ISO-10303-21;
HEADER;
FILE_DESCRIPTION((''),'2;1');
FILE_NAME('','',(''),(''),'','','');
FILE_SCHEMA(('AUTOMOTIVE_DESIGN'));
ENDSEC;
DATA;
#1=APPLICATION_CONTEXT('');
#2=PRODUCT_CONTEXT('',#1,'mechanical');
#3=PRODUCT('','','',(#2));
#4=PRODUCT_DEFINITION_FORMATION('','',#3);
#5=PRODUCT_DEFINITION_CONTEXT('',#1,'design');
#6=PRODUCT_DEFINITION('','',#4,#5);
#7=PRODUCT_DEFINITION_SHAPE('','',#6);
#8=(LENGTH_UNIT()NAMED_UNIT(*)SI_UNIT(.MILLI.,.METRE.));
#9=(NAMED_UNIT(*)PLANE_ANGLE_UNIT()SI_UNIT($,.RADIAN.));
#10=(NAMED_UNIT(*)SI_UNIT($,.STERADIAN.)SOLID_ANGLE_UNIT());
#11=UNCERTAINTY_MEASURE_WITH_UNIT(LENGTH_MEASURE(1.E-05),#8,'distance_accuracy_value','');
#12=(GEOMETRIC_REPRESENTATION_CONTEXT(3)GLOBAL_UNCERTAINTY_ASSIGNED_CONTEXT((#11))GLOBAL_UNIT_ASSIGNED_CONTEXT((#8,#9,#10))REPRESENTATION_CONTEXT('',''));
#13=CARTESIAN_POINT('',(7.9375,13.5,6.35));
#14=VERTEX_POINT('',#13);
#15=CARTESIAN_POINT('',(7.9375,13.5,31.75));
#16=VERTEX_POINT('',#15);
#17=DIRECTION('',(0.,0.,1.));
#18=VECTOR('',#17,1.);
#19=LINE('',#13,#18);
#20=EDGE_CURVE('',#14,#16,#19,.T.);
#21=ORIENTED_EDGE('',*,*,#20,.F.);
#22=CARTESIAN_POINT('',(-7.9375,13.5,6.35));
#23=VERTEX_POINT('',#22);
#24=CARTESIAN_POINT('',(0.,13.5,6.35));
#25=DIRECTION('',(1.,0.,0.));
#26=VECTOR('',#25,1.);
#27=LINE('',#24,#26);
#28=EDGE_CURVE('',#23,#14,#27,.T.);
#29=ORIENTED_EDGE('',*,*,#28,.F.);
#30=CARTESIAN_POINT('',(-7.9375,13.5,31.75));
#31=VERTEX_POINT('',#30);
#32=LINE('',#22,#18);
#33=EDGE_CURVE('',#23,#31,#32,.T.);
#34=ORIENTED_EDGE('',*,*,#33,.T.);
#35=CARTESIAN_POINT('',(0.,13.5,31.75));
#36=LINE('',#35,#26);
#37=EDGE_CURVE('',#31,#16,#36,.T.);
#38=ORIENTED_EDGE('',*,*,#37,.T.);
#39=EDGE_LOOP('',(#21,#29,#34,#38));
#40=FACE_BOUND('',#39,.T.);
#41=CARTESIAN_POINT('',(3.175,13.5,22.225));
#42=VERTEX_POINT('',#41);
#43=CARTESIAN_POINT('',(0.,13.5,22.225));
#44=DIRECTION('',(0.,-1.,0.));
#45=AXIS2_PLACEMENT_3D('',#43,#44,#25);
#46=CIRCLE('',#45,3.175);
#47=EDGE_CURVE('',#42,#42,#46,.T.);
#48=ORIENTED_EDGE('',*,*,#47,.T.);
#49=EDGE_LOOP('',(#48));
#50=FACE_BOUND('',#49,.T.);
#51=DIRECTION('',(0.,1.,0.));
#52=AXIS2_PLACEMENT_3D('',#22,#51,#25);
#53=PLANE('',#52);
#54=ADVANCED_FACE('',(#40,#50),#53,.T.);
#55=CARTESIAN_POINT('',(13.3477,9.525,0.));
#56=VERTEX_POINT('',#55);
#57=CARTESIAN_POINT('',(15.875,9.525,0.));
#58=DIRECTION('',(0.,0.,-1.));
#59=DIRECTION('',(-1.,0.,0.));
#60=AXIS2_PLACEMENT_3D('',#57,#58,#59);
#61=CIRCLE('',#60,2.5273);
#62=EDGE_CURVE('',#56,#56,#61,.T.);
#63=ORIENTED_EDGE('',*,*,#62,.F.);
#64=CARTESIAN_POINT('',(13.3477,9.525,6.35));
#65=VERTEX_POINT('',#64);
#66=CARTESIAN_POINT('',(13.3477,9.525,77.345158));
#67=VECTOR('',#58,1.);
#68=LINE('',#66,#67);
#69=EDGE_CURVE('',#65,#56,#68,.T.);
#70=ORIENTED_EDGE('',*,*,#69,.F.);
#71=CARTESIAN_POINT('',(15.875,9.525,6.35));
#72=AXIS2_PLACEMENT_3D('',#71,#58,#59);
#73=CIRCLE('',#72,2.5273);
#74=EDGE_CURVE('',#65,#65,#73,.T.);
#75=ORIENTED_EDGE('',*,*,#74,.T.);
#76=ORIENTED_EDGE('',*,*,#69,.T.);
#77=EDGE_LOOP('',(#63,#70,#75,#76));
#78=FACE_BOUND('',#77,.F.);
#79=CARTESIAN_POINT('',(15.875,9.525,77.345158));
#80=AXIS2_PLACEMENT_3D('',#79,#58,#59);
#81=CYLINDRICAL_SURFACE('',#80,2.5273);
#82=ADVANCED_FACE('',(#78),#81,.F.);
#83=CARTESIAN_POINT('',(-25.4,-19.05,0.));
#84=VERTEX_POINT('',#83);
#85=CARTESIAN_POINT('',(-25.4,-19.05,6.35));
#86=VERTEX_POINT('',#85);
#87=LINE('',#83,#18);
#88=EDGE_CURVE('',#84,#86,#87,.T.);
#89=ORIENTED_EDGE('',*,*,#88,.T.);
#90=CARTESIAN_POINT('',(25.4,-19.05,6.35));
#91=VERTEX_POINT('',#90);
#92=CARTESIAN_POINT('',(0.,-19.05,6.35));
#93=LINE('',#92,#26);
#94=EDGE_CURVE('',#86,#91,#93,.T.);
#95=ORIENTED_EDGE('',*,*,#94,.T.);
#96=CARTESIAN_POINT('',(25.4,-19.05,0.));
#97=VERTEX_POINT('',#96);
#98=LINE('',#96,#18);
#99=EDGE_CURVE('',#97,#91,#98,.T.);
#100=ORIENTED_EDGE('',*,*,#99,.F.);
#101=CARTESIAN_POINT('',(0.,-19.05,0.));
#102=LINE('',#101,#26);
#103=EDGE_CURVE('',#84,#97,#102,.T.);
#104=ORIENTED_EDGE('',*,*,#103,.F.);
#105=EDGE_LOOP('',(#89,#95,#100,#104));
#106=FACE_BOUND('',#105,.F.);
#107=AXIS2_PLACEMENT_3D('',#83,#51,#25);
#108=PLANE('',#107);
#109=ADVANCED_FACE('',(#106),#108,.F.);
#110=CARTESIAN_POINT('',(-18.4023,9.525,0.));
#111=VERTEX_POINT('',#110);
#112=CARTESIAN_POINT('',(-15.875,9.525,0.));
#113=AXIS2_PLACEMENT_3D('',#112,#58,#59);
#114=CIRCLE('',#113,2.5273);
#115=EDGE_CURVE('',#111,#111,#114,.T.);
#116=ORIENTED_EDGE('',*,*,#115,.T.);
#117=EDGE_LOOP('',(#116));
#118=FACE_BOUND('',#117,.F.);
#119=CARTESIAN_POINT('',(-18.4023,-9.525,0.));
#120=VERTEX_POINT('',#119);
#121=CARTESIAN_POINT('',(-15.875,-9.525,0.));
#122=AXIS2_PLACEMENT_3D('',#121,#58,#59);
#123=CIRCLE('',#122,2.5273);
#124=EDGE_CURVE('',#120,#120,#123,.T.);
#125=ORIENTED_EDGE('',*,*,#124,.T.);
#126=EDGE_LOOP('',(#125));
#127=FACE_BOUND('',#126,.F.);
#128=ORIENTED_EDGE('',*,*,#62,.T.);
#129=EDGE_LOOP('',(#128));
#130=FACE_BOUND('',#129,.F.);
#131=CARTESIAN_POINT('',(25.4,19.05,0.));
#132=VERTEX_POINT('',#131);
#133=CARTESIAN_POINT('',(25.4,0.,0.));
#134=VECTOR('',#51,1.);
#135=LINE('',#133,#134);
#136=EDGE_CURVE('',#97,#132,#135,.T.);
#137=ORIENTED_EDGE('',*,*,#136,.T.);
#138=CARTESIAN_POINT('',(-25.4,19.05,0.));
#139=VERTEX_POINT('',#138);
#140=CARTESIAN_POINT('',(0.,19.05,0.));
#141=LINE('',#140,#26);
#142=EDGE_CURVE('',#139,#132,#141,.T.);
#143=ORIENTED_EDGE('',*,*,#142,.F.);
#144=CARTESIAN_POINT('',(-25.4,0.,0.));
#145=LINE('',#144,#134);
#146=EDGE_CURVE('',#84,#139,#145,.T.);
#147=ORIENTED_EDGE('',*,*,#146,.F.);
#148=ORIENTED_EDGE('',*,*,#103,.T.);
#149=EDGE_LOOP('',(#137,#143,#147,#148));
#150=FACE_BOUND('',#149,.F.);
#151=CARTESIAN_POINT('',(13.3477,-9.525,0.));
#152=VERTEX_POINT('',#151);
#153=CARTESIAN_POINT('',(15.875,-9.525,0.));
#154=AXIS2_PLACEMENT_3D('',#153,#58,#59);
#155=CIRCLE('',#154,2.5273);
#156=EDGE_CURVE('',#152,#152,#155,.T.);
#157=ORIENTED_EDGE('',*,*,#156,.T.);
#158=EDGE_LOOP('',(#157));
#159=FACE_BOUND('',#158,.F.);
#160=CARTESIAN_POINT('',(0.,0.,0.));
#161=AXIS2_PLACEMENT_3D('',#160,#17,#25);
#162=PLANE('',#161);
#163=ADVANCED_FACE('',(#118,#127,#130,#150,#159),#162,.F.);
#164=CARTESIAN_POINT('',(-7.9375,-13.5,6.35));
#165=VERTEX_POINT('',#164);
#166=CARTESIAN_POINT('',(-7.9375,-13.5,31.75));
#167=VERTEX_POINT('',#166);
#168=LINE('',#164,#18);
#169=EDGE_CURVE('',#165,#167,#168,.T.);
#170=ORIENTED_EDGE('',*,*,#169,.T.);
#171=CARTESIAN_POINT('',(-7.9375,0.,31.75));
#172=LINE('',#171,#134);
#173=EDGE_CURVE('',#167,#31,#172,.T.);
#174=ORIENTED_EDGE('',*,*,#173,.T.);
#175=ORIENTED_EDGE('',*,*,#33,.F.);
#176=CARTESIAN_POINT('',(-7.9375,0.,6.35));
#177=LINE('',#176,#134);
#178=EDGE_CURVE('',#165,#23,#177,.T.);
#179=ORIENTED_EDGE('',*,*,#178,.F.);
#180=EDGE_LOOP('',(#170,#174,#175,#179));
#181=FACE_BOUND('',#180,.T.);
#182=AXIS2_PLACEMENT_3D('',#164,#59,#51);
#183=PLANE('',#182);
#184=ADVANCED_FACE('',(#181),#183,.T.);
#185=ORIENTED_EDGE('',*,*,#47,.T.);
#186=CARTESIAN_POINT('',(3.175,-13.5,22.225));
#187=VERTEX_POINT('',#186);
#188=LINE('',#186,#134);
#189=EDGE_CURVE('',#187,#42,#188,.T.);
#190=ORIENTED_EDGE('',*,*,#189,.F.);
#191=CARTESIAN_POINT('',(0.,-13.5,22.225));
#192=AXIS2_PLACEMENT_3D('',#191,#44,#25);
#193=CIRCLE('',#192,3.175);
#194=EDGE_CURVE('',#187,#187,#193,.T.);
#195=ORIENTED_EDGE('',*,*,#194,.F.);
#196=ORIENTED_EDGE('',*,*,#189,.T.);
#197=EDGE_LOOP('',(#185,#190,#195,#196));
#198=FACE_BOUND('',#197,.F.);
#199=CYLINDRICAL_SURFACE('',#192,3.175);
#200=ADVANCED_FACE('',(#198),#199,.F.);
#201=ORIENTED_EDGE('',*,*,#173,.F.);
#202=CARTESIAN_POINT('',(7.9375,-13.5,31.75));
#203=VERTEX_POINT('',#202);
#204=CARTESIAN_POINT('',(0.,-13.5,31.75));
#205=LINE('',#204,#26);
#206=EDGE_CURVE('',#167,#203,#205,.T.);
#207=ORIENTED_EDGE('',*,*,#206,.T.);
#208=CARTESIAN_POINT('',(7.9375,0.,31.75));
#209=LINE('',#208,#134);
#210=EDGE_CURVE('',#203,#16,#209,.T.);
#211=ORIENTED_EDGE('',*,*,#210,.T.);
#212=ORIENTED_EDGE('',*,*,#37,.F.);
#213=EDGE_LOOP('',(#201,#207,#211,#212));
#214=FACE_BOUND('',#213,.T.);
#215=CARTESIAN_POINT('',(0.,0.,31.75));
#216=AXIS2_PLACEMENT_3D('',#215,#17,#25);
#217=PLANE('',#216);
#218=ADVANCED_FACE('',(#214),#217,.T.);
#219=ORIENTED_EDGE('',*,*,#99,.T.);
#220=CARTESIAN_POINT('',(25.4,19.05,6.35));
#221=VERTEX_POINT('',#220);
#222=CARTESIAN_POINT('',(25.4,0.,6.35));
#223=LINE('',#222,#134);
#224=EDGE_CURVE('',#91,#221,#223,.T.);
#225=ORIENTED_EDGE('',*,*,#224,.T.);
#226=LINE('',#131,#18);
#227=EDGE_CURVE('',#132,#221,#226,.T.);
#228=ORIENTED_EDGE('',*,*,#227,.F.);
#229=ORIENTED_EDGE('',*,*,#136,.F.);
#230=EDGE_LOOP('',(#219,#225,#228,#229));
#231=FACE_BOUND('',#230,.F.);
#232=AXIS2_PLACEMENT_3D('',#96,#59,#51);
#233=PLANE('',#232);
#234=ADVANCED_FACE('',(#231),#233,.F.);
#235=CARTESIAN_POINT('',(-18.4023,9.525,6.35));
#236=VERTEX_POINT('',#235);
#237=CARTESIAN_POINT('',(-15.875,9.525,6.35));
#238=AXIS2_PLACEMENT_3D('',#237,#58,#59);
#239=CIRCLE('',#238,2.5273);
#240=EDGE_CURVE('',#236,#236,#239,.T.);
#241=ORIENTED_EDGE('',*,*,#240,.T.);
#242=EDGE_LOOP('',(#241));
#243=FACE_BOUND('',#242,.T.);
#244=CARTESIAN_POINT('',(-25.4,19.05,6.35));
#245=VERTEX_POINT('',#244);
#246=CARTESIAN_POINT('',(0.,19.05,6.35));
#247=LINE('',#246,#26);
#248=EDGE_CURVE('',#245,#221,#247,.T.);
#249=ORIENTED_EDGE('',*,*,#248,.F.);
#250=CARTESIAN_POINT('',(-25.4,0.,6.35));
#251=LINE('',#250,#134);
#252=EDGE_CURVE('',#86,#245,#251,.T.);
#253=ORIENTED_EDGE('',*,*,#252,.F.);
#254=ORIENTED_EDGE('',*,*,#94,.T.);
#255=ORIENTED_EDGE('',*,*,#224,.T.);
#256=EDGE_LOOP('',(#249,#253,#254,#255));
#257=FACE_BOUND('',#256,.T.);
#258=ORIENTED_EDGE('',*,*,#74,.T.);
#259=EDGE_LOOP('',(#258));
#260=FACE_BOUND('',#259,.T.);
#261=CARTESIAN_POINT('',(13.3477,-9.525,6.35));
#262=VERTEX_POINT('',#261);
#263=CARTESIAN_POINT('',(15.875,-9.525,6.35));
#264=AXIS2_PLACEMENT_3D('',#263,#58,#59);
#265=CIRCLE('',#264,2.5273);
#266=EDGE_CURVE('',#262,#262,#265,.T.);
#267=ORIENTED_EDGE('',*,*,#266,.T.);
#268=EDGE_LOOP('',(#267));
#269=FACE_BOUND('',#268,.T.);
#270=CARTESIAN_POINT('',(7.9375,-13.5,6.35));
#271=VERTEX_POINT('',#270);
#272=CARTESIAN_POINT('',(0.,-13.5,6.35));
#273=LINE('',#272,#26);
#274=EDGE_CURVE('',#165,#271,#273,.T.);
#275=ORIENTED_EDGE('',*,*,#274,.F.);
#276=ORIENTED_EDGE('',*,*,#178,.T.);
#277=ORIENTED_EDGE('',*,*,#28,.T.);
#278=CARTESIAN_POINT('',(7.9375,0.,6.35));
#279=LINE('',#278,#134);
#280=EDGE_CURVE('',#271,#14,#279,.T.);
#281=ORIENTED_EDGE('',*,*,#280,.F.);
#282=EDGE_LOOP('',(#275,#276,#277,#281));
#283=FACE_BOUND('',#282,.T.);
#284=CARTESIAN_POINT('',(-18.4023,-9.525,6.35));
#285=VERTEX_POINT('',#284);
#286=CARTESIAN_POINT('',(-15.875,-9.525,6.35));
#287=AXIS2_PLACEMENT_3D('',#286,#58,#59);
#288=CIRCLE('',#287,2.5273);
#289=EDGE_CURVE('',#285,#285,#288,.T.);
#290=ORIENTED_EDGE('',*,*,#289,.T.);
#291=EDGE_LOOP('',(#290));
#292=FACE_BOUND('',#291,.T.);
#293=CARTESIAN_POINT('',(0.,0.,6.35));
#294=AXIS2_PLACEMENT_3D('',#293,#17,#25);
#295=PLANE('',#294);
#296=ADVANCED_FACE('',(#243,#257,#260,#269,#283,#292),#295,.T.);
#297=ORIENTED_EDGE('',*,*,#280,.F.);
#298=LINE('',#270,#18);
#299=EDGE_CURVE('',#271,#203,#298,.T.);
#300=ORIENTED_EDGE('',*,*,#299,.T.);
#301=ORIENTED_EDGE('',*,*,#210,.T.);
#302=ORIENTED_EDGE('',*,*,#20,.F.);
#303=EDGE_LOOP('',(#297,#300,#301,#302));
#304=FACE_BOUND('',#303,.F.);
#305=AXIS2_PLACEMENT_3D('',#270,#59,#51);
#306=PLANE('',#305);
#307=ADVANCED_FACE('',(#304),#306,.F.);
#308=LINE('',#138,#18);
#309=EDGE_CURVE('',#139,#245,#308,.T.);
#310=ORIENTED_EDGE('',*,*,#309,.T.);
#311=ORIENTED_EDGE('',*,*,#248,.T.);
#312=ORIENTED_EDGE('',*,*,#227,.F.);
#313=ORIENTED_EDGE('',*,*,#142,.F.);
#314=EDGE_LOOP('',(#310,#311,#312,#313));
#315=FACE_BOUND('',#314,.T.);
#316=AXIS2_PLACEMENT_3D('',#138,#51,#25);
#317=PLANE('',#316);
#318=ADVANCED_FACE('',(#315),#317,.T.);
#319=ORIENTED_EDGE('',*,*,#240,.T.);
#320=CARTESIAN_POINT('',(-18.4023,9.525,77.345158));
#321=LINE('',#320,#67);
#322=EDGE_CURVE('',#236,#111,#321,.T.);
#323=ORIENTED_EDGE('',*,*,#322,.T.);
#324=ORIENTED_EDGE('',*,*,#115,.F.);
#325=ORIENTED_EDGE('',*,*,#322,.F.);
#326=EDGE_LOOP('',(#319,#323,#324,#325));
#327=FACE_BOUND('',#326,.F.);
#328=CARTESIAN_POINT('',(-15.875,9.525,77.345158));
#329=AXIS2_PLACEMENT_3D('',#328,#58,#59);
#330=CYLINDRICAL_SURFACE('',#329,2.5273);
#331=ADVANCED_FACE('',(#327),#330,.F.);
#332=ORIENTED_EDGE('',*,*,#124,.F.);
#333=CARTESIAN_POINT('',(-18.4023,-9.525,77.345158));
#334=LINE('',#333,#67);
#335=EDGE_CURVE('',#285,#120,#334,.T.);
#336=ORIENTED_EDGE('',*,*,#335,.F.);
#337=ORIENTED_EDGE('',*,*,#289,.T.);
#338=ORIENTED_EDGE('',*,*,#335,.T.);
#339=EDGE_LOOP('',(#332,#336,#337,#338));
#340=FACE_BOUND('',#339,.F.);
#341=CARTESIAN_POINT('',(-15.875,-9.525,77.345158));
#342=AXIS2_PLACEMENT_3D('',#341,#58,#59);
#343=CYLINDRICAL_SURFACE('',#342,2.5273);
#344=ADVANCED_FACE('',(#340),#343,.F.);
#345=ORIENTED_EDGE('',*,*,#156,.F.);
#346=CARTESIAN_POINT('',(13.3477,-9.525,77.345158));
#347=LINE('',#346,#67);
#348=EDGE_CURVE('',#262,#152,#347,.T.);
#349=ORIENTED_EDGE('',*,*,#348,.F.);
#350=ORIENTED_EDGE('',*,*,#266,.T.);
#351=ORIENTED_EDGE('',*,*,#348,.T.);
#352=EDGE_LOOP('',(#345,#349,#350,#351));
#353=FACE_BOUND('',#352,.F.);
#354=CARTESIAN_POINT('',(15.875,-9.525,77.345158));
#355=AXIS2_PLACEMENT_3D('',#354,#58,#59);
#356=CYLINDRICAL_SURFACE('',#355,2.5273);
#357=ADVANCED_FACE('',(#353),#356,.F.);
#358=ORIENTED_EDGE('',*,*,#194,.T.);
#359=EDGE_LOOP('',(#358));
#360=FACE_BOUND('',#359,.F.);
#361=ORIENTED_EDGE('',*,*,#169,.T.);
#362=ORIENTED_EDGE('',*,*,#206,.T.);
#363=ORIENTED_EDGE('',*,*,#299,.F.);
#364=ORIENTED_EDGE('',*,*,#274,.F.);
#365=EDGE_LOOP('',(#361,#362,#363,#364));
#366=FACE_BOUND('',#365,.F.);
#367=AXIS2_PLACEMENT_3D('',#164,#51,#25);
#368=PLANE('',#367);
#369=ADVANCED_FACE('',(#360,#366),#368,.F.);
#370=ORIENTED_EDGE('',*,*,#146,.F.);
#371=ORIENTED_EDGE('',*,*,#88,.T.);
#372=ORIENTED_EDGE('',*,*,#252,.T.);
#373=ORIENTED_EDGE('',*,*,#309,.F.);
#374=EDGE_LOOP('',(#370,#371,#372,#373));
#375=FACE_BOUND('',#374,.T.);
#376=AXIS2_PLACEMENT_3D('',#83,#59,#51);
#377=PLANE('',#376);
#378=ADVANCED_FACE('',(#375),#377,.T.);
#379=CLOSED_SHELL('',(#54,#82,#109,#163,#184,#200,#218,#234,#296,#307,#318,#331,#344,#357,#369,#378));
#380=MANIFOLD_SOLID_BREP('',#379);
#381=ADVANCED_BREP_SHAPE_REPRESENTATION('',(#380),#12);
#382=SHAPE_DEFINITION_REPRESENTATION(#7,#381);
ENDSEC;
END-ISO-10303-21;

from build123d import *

# Parameters (mm, degrees)
F0_W     = 50.8
F0_H     = 38.1
F1_DEPTH = 6.35
F2_W     = 15.875
F2_H     = 27
F3_DEPTH = 25.4
F4_R     = 3.175
F5_DEPTH = 32.551
F7_D     = 5.0546


with BuildPart() as f1:
    # F0 (on Top) → F1 (new body)
    with BuildSketch(Plane.XY):
        Rectangle(F0_W, F0_H)
    extrude(amount=F1_DEPTH)

    # F2 (on face) → F3 (join)
    with BuildSketch(Plane.XY.offset(6.35)):
        Rectangle(F2_W, F2_H)
    extrude(amount=F3_DEPTH)

    # F4 (on face) → F5 (cut, through all)
    with BuildSketch(Plane.XZ.offset(13.5)):
        with Locations((0, 22.225)):
            Circle(F4_R)
    extrude(amount=-F5_DEPTH, mode=Mode.SUBTRACT)

    # F7 (through all)
    with Locations(Plane.XY.offset(6.35)):
        with Locations((-15.875, 9.525), (-15.875, -9.525), (15.875, 9.525), (15.875, -9.525)):
            Hole(F7_D / 2)


solid = f1.part
